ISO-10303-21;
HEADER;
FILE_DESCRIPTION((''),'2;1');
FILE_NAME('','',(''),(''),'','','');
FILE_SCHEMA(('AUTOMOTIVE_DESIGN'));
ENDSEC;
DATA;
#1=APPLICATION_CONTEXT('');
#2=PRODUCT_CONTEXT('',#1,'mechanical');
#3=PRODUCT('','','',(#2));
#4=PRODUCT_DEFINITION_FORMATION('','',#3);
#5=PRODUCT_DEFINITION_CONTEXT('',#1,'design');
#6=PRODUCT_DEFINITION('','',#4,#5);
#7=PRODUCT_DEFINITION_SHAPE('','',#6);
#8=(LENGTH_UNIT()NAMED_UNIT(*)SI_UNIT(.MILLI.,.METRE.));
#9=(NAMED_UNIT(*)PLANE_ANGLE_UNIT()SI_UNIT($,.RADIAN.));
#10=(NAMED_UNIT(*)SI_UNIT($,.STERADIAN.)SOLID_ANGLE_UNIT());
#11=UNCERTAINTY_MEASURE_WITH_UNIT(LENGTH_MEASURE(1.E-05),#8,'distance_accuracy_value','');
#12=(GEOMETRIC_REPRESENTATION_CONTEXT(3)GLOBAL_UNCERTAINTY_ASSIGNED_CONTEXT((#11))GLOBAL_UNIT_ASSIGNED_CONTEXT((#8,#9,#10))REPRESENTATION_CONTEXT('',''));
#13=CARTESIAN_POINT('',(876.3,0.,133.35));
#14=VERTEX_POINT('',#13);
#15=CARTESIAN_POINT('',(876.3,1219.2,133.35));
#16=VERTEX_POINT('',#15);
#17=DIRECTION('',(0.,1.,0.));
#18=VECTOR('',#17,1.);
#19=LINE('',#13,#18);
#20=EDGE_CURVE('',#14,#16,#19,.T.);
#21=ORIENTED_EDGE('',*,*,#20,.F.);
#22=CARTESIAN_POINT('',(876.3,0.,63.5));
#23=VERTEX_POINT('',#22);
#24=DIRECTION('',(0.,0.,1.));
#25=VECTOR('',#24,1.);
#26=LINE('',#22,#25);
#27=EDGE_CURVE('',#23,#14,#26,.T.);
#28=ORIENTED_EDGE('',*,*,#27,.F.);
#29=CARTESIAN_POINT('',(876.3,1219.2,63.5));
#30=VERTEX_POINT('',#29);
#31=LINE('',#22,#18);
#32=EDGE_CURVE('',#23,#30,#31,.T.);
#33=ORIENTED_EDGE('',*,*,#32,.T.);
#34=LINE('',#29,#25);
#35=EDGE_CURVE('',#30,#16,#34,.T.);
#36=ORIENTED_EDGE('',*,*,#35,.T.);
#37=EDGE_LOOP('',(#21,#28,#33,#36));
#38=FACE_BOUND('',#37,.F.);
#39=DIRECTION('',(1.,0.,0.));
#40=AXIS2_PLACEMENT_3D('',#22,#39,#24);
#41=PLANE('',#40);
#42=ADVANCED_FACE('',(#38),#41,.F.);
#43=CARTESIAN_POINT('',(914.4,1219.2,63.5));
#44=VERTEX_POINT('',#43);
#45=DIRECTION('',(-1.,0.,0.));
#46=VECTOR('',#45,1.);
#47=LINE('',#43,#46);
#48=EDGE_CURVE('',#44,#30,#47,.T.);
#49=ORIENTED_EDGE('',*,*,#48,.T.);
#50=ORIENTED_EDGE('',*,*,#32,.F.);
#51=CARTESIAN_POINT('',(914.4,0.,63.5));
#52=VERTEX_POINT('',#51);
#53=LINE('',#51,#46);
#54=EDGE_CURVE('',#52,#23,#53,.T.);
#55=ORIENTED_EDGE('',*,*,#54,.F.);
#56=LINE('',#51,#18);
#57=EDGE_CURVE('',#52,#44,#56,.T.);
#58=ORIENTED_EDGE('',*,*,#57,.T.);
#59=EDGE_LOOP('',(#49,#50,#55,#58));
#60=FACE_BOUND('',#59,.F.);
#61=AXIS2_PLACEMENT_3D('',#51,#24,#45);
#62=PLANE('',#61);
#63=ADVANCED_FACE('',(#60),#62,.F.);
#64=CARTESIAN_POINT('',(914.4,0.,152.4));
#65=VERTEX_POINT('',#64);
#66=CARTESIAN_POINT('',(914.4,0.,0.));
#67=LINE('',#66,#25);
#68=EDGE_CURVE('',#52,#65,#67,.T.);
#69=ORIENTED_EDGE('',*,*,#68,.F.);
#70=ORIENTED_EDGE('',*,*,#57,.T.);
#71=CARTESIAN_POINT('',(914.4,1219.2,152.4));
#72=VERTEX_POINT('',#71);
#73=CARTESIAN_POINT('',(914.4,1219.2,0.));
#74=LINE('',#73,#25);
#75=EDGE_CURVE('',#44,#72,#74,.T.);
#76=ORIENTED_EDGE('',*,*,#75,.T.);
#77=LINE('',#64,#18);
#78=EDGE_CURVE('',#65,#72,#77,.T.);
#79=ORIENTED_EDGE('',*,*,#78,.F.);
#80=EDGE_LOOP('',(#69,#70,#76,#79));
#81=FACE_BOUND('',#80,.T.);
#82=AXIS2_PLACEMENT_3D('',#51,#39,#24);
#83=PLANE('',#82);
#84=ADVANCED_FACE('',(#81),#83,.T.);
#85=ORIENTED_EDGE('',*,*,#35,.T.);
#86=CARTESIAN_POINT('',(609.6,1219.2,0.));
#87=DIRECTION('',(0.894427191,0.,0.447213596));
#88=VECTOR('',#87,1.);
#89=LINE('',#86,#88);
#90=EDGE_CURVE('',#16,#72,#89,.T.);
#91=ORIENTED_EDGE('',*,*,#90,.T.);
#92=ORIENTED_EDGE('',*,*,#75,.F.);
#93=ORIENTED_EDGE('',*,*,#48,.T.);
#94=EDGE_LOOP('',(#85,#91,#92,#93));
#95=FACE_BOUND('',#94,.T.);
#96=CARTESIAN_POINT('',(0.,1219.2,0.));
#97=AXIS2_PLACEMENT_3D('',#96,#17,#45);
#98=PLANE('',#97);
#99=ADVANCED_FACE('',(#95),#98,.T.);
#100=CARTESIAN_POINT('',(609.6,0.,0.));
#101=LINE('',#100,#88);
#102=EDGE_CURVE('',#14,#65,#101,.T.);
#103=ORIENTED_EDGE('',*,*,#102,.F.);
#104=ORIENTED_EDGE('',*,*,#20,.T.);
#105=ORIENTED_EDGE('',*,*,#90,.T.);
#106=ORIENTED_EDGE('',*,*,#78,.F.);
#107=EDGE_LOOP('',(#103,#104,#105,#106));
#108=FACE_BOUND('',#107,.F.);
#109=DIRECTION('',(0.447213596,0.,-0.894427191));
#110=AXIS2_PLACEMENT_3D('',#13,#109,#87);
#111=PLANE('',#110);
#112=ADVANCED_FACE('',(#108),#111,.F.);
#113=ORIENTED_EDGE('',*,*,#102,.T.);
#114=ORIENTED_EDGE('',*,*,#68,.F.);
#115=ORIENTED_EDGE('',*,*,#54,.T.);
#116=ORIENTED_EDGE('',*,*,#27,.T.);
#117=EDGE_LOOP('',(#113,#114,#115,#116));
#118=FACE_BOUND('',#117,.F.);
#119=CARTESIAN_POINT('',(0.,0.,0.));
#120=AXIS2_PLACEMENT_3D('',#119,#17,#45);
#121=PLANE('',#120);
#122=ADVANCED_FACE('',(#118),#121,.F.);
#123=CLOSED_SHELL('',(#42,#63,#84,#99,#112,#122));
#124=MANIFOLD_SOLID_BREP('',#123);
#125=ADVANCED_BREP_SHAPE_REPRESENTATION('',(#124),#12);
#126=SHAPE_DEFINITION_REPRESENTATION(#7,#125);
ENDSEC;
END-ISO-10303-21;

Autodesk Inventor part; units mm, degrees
ref_plane "YZ Plane" through (0, 0, 0) normal (1, 0, 0) x (0, 1, 0)
ref_plane "XZ Plane" through (0, 0, 0) normal (0, 1, 0) x (-1, 0, 0)
ref_plane "XY Plane" through (0, 0, 0) normal (0, 0, 1) x (1, 0, 0)
sketch "Sketch1" plane through (0, 0, 0) normal (0, 1, 0) x (-1, 0, 0)
  line L0 (0, 0) -> (-609.6, 0)
  line L1 (-609.6, 0) -> (-914.4, 0)
  line L2 (-914.4, 0) -> (-914.4, 152.4)
  line L3 (-609.6, 0) -> (-914.4, 152.4)
  line L4 (0, 0) -> (0, 304.8)
  line L5 (0, 304.8) -> (-609.6, 0)
  line L6 (-914.4, 0) -> (-914.4, -762)
  line L7 (0, 0) -> (0, -1219.2)
  line L8 (0, -1219.2) -> (-609.6, -1219.2)
  line L9 (-609.6, -1219.2) -> (-914.4, -762)
  line L10 (-914.4, -762) -> (-840.4307, -712.6872)
  line L11 (-609.6, -1219.2) -> (-535.6307, -1169.8872)
  line L12 (0, -1219.2) -> (0, -1130.3)
  line L13 (0, -1130.3) -> (-609.6, -1130.3)
  line L14 (-609.6, -1130.3) -> (-609.6, -1219.2)
  line L15 (-914.4, -762) -> (-825.5, -762)
  line L16 (-825.5, -762) -> (-825.5, 0)
  line L17 (-840.4307, -712.6872) -> (-535.6307, -1169.8872)
  line L18 (-609.6, -1130.3) -> (-609.6, 0)
  line L19 (-825.5, -762) -> (-609.6, -762)
  line L20 (-914.4, 152.4) -> (-914.4, 63.5)
  line L21 (-914.4, 63.5) -> (-876.3, 63.5)
  line L22 (-876.3, 63.5) -> (-876.3, 152.4)
  line L23 (-876.3, 152.4) -> (-914.4, 152.4)
  point P0 (-876.3, 133.35)
  dimension "d0" = 609.6
  dimension "d1" = 304.8
  dimension "d2" = 152.4
  dimension "d3" = 304.8
  dimension "d4" = 762
  dimension "d5" = 1219.2
  dimension "d6" = 609.6
  dimension "d7" = 88.9
  dimension "d8" = 88.9
  dimension "d9" = 88.9
  dimension "d10" = 609.6
  dimension "d11" = 88.9
  dimension "d12" = 88.9
  dimension "d13" = 38.1
  dimension "d14" = 88.9
extrude "Extrusion1" add sketch "Sketch1" along normal blind 1219.2 contours L22 L21 L2 L3
properties part number "S_2x4x48"
